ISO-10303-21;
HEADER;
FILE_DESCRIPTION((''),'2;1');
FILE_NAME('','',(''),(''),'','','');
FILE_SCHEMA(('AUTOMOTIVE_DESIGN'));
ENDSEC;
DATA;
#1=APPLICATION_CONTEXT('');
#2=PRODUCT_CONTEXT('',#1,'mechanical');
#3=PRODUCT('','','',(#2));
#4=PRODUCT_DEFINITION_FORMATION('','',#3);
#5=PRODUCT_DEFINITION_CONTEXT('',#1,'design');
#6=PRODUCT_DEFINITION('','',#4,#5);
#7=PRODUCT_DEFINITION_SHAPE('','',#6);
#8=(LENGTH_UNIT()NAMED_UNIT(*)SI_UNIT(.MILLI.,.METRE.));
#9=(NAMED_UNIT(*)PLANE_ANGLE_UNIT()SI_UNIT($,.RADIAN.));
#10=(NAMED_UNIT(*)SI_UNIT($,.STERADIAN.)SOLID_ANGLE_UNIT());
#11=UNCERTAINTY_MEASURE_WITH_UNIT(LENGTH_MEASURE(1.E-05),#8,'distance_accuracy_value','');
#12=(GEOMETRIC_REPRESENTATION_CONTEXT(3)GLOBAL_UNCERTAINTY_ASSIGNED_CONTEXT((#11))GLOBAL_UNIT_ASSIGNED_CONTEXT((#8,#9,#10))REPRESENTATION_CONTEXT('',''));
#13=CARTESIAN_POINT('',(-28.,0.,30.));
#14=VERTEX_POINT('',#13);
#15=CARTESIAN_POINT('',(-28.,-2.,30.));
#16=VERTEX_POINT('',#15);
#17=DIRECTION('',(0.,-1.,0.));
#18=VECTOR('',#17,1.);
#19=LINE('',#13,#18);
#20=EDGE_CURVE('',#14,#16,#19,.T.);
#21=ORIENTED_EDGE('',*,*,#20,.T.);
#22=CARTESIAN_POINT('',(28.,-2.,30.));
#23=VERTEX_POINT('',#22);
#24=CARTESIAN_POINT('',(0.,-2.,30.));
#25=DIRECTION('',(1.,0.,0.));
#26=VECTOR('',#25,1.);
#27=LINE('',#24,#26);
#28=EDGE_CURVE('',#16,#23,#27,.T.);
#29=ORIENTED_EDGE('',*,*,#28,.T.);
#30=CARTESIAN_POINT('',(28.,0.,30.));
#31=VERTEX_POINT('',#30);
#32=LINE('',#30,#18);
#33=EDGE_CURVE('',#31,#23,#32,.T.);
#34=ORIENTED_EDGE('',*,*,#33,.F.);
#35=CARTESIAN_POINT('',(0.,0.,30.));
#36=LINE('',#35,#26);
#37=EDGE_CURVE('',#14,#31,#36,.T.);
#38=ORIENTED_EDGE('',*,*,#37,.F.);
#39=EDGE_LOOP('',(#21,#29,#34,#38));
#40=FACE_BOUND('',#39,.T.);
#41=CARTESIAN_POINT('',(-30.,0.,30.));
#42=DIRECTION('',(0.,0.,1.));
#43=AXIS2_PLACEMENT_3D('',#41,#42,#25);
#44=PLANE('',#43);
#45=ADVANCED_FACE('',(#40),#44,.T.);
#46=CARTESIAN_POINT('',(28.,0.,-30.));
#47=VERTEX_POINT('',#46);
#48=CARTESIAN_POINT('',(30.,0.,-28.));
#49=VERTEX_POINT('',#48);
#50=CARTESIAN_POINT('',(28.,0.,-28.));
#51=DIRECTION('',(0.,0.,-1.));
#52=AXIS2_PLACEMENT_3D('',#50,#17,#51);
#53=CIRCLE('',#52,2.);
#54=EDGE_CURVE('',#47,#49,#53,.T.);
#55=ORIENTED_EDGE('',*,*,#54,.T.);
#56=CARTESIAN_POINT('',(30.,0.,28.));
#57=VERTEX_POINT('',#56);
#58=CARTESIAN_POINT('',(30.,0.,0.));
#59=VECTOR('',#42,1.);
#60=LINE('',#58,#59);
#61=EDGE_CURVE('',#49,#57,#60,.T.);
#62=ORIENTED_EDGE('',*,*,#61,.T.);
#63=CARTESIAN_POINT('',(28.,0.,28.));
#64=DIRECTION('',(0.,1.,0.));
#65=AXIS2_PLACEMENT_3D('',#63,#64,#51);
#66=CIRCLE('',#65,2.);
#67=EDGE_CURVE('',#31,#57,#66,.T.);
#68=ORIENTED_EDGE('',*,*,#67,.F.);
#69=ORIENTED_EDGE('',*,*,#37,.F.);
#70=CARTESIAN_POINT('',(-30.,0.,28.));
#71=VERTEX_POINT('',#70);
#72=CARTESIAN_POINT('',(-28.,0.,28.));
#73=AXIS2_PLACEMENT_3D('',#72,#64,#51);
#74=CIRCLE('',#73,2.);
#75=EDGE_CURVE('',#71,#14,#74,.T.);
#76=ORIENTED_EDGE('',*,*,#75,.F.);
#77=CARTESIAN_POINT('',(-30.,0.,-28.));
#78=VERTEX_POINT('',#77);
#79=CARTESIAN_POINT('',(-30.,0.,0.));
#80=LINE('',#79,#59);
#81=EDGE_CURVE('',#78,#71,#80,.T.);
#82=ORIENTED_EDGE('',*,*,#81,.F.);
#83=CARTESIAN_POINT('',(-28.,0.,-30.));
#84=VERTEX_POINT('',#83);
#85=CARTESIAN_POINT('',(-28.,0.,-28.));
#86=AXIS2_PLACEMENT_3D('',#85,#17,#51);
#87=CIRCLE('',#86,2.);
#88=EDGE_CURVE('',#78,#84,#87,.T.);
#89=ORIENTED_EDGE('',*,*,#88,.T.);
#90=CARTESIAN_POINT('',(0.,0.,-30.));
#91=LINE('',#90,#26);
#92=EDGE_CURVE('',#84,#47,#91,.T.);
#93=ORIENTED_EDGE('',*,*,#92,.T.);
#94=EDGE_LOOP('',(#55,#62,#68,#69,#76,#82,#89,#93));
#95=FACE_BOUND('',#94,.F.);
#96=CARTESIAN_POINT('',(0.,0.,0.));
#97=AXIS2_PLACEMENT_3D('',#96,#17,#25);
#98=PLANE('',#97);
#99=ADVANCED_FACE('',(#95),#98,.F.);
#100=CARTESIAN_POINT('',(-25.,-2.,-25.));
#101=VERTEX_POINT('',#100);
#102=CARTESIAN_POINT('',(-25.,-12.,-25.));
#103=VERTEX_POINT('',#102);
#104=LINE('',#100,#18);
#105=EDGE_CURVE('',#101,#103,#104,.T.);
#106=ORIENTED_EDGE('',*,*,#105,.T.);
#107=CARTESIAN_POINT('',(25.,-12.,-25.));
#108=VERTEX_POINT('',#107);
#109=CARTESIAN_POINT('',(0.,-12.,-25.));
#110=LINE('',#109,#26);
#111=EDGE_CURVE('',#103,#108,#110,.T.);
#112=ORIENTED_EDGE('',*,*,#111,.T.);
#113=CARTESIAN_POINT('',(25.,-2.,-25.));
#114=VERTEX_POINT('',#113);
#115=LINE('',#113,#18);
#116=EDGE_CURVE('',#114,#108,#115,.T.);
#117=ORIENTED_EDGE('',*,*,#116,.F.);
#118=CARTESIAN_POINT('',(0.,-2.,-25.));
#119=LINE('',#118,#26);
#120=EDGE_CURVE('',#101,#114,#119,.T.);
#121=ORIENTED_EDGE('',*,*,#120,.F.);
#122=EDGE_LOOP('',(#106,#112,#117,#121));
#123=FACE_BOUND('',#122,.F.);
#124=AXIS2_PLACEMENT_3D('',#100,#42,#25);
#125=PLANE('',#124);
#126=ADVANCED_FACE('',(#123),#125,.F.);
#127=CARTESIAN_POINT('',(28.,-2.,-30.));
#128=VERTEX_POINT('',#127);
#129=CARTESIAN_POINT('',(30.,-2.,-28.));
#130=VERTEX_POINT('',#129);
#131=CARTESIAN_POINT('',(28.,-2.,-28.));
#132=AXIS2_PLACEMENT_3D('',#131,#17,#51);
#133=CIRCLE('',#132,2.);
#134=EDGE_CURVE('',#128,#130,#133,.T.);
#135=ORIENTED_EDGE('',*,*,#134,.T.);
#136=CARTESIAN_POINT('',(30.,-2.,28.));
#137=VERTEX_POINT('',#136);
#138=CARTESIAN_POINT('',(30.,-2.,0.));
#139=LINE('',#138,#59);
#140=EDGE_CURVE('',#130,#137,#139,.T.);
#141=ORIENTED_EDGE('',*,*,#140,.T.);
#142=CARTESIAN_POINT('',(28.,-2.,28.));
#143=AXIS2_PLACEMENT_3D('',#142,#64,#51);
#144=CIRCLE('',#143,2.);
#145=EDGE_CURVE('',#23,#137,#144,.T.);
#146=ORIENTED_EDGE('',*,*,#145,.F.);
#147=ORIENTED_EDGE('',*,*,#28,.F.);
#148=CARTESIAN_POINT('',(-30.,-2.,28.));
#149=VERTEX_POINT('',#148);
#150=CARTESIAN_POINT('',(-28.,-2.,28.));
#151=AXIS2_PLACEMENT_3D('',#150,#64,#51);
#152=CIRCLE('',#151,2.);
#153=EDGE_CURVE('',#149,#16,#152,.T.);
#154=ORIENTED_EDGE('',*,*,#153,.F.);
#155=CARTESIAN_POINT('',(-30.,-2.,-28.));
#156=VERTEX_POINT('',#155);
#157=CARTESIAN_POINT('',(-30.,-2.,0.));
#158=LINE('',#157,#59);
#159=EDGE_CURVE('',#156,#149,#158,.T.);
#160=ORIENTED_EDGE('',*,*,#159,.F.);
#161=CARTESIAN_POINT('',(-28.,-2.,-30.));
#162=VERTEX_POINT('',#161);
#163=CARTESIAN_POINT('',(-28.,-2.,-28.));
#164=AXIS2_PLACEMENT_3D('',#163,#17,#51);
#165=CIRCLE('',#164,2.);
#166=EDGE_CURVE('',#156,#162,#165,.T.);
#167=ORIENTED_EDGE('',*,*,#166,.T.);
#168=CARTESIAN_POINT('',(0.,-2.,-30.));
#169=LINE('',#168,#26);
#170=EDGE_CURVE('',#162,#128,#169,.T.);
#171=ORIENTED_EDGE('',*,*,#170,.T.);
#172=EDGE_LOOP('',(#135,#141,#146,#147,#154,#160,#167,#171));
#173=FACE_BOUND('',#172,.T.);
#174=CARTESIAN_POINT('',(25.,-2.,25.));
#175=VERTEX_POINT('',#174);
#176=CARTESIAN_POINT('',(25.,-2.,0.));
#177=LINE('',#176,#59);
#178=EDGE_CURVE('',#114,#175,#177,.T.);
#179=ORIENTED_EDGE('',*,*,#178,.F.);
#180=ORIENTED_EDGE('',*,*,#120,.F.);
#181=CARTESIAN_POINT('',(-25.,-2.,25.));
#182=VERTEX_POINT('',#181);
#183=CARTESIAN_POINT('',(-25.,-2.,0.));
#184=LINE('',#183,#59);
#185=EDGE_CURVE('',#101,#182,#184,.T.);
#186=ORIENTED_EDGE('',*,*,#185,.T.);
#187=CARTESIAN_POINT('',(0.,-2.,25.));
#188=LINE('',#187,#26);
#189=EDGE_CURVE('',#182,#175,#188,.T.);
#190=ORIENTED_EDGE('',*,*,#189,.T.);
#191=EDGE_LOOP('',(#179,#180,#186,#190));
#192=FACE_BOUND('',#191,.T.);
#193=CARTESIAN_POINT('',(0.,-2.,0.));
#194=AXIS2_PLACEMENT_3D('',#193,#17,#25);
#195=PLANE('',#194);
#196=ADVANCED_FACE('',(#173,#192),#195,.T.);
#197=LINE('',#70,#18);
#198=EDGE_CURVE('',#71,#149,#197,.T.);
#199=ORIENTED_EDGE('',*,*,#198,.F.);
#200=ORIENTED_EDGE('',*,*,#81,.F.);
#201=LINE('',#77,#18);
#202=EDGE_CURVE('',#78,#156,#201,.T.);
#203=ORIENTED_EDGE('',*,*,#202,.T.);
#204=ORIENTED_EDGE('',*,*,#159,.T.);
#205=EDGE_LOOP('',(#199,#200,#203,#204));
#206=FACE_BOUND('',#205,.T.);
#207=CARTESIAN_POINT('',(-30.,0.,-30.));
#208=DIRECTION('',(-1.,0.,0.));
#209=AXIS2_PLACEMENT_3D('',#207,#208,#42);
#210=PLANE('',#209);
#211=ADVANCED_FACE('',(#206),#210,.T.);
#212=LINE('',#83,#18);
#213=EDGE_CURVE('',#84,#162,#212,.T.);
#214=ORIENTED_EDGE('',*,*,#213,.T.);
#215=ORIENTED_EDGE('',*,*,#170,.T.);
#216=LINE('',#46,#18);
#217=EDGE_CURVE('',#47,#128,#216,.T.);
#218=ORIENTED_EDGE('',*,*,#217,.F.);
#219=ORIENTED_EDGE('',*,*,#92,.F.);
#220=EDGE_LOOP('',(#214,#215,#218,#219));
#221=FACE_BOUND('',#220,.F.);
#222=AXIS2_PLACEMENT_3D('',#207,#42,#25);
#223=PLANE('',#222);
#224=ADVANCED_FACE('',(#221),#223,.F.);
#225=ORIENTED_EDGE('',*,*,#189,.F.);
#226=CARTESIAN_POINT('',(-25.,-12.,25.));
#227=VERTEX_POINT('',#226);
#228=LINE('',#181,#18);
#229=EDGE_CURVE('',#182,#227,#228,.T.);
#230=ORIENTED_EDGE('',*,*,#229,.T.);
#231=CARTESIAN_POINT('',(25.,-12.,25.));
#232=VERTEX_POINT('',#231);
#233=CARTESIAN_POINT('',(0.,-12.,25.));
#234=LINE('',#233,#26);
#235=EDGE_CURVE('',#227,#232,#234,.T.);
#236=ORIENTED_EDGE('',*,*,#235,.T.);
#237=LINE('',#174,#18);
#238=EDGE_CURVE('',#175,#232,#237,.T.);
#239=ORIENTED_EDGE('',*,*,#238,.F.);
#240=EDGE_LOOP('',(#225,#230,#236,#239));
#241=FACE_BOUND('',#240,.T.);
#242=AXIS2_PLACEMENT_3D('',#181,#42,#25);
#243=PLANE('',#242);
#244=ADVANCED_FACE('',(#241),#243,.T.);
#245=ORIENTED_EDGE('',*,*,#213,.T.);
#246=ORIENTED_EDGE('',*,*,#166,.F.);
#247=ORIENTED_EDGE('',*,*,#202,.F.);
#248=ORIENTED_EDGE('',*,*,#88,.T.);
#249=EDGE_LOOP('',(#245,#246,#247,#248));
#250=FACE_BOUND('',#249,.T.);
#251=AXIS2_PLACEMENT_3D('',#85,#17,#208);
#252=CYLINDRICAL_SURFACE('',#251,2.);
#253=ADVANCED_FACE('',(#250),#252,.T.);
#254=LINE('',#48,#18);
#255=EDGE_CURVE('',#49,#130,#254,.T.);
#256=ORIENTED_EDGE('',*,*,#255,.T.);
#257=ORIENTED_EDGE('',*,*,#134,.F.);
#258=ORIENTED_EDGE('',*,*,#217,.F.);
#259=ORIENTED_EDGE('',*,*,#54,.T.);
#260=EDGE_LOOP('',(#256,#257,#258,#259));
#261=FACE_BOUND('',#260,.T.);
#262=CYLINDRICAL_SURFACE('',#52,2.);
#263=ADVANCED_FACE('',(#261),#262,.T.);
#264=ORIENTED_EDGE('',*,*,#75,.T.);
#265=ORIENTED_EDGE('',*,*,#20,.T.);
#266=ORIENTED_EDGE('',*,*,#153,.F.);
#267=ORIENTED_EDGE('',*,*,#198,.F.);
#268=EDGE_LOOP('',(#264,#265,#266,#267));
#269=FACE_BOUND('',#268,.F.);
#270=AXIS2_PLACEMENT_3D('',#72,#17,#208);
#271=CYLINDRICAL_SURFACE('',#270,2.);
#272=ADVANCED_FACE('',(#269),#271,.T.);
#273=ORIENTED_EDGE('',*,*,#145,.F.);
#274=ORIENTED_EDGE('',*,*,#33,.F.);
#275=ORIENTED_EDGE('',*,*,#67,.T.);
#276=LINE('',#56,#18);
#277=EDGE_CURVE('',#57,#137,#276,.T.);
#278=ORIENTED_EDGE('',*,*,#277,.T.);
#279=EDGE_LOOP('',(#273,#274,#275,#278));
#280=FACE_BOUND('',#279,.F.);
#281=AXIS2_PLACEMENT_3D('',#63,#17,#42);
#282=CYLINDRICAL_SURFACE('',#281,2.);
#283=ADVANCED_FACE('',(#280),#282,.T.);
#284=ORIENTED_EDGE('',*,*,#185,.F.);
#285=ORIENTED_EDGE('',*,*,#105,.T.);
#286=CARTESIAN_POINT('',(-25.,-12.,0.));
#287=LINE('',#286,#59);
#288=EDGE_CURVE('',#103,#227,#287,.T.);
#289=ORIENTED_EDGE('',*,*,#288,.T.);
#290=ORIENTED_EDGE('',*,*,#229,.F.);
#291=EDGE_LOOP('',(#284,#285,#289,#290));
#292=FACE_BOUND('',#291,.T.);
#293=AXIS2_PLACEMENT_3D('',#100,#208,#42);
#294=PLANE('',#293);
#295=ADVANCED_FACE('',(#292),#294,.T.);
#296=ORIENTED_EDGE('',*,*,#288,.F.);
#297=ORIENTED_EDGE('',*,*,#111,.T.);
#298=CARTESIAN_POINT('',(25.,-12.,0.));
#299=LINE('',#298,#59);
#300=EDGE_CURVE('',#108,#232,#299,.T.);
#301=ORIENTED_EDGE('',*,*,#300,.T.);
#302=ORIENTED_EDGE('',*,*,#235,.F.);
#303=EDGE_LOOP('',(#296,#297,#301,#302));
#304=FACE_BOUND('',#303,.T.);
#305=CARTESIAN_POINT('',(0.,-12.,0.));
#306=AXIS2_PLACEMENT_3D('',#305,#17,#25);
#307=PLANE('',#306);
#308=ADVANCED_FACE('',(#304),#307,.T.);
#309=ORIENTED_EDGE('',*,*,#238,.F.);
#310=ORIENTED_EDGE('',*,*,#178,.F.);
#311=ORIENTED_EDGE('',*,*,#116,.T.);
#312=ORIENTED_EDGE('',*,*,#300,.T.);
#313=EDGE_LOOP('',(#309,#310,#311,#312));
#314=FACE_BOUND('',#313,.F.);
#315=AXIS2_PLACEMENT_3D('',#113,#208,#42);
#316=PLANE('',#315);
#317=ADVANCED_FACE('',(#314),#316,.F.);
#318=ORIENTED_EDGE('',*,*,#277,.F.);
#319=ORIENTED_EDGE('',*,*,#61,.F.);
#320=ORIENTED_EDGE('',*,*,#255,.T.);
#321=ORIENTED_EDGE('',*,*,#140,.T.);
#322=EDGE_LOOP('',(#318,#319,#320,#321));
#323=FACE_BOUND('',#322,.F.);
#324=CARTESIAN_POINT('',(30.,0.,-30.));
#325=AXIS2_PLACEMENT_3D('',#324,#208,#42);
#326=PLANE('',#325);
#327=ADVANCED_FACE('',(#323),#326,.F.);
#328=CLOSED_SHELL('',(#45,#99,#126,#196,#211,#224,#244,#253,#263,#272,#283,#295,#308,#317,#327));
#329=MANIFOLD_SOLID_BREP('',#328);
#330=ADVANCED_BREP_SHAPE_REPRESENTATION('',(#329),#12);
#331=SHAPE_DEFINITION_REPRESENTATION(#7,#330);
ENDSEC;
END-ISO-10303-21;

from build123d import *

# Parameters (mm, degrees)
F0_W     = 60
F0_H     = 60
F1_DEPTH = 2
F2_W     = 50
F2_H     = 50
F3_DEPTH = 10
F4_R     = 2


with BuildPart() as f1:
    # F0 (on Front) → F1 (new body)
    with BuildSketch(Plane.XZ):
        Rectangle(F0_W, F0_H)
    extrude(amount=F1_DEPTH)

    # F2 (on face) → F3 (join)
    with BuildSketch(Plane.XZ.offset(2)):
        Rectangle(F2_W, F2_H)
    extrude(amount=F3_DEPTH)

    # F4
    f4_edges = [f1.edges().sort_by_distance(p)[0] for p in [
        (30, -1, -30),
        (30, -1, 30),
        (-30, -1, 30),
        (-30, -1, -30),
    ]]
    fillet(f4_edges, radius=F4_R)


solid = f1.part
